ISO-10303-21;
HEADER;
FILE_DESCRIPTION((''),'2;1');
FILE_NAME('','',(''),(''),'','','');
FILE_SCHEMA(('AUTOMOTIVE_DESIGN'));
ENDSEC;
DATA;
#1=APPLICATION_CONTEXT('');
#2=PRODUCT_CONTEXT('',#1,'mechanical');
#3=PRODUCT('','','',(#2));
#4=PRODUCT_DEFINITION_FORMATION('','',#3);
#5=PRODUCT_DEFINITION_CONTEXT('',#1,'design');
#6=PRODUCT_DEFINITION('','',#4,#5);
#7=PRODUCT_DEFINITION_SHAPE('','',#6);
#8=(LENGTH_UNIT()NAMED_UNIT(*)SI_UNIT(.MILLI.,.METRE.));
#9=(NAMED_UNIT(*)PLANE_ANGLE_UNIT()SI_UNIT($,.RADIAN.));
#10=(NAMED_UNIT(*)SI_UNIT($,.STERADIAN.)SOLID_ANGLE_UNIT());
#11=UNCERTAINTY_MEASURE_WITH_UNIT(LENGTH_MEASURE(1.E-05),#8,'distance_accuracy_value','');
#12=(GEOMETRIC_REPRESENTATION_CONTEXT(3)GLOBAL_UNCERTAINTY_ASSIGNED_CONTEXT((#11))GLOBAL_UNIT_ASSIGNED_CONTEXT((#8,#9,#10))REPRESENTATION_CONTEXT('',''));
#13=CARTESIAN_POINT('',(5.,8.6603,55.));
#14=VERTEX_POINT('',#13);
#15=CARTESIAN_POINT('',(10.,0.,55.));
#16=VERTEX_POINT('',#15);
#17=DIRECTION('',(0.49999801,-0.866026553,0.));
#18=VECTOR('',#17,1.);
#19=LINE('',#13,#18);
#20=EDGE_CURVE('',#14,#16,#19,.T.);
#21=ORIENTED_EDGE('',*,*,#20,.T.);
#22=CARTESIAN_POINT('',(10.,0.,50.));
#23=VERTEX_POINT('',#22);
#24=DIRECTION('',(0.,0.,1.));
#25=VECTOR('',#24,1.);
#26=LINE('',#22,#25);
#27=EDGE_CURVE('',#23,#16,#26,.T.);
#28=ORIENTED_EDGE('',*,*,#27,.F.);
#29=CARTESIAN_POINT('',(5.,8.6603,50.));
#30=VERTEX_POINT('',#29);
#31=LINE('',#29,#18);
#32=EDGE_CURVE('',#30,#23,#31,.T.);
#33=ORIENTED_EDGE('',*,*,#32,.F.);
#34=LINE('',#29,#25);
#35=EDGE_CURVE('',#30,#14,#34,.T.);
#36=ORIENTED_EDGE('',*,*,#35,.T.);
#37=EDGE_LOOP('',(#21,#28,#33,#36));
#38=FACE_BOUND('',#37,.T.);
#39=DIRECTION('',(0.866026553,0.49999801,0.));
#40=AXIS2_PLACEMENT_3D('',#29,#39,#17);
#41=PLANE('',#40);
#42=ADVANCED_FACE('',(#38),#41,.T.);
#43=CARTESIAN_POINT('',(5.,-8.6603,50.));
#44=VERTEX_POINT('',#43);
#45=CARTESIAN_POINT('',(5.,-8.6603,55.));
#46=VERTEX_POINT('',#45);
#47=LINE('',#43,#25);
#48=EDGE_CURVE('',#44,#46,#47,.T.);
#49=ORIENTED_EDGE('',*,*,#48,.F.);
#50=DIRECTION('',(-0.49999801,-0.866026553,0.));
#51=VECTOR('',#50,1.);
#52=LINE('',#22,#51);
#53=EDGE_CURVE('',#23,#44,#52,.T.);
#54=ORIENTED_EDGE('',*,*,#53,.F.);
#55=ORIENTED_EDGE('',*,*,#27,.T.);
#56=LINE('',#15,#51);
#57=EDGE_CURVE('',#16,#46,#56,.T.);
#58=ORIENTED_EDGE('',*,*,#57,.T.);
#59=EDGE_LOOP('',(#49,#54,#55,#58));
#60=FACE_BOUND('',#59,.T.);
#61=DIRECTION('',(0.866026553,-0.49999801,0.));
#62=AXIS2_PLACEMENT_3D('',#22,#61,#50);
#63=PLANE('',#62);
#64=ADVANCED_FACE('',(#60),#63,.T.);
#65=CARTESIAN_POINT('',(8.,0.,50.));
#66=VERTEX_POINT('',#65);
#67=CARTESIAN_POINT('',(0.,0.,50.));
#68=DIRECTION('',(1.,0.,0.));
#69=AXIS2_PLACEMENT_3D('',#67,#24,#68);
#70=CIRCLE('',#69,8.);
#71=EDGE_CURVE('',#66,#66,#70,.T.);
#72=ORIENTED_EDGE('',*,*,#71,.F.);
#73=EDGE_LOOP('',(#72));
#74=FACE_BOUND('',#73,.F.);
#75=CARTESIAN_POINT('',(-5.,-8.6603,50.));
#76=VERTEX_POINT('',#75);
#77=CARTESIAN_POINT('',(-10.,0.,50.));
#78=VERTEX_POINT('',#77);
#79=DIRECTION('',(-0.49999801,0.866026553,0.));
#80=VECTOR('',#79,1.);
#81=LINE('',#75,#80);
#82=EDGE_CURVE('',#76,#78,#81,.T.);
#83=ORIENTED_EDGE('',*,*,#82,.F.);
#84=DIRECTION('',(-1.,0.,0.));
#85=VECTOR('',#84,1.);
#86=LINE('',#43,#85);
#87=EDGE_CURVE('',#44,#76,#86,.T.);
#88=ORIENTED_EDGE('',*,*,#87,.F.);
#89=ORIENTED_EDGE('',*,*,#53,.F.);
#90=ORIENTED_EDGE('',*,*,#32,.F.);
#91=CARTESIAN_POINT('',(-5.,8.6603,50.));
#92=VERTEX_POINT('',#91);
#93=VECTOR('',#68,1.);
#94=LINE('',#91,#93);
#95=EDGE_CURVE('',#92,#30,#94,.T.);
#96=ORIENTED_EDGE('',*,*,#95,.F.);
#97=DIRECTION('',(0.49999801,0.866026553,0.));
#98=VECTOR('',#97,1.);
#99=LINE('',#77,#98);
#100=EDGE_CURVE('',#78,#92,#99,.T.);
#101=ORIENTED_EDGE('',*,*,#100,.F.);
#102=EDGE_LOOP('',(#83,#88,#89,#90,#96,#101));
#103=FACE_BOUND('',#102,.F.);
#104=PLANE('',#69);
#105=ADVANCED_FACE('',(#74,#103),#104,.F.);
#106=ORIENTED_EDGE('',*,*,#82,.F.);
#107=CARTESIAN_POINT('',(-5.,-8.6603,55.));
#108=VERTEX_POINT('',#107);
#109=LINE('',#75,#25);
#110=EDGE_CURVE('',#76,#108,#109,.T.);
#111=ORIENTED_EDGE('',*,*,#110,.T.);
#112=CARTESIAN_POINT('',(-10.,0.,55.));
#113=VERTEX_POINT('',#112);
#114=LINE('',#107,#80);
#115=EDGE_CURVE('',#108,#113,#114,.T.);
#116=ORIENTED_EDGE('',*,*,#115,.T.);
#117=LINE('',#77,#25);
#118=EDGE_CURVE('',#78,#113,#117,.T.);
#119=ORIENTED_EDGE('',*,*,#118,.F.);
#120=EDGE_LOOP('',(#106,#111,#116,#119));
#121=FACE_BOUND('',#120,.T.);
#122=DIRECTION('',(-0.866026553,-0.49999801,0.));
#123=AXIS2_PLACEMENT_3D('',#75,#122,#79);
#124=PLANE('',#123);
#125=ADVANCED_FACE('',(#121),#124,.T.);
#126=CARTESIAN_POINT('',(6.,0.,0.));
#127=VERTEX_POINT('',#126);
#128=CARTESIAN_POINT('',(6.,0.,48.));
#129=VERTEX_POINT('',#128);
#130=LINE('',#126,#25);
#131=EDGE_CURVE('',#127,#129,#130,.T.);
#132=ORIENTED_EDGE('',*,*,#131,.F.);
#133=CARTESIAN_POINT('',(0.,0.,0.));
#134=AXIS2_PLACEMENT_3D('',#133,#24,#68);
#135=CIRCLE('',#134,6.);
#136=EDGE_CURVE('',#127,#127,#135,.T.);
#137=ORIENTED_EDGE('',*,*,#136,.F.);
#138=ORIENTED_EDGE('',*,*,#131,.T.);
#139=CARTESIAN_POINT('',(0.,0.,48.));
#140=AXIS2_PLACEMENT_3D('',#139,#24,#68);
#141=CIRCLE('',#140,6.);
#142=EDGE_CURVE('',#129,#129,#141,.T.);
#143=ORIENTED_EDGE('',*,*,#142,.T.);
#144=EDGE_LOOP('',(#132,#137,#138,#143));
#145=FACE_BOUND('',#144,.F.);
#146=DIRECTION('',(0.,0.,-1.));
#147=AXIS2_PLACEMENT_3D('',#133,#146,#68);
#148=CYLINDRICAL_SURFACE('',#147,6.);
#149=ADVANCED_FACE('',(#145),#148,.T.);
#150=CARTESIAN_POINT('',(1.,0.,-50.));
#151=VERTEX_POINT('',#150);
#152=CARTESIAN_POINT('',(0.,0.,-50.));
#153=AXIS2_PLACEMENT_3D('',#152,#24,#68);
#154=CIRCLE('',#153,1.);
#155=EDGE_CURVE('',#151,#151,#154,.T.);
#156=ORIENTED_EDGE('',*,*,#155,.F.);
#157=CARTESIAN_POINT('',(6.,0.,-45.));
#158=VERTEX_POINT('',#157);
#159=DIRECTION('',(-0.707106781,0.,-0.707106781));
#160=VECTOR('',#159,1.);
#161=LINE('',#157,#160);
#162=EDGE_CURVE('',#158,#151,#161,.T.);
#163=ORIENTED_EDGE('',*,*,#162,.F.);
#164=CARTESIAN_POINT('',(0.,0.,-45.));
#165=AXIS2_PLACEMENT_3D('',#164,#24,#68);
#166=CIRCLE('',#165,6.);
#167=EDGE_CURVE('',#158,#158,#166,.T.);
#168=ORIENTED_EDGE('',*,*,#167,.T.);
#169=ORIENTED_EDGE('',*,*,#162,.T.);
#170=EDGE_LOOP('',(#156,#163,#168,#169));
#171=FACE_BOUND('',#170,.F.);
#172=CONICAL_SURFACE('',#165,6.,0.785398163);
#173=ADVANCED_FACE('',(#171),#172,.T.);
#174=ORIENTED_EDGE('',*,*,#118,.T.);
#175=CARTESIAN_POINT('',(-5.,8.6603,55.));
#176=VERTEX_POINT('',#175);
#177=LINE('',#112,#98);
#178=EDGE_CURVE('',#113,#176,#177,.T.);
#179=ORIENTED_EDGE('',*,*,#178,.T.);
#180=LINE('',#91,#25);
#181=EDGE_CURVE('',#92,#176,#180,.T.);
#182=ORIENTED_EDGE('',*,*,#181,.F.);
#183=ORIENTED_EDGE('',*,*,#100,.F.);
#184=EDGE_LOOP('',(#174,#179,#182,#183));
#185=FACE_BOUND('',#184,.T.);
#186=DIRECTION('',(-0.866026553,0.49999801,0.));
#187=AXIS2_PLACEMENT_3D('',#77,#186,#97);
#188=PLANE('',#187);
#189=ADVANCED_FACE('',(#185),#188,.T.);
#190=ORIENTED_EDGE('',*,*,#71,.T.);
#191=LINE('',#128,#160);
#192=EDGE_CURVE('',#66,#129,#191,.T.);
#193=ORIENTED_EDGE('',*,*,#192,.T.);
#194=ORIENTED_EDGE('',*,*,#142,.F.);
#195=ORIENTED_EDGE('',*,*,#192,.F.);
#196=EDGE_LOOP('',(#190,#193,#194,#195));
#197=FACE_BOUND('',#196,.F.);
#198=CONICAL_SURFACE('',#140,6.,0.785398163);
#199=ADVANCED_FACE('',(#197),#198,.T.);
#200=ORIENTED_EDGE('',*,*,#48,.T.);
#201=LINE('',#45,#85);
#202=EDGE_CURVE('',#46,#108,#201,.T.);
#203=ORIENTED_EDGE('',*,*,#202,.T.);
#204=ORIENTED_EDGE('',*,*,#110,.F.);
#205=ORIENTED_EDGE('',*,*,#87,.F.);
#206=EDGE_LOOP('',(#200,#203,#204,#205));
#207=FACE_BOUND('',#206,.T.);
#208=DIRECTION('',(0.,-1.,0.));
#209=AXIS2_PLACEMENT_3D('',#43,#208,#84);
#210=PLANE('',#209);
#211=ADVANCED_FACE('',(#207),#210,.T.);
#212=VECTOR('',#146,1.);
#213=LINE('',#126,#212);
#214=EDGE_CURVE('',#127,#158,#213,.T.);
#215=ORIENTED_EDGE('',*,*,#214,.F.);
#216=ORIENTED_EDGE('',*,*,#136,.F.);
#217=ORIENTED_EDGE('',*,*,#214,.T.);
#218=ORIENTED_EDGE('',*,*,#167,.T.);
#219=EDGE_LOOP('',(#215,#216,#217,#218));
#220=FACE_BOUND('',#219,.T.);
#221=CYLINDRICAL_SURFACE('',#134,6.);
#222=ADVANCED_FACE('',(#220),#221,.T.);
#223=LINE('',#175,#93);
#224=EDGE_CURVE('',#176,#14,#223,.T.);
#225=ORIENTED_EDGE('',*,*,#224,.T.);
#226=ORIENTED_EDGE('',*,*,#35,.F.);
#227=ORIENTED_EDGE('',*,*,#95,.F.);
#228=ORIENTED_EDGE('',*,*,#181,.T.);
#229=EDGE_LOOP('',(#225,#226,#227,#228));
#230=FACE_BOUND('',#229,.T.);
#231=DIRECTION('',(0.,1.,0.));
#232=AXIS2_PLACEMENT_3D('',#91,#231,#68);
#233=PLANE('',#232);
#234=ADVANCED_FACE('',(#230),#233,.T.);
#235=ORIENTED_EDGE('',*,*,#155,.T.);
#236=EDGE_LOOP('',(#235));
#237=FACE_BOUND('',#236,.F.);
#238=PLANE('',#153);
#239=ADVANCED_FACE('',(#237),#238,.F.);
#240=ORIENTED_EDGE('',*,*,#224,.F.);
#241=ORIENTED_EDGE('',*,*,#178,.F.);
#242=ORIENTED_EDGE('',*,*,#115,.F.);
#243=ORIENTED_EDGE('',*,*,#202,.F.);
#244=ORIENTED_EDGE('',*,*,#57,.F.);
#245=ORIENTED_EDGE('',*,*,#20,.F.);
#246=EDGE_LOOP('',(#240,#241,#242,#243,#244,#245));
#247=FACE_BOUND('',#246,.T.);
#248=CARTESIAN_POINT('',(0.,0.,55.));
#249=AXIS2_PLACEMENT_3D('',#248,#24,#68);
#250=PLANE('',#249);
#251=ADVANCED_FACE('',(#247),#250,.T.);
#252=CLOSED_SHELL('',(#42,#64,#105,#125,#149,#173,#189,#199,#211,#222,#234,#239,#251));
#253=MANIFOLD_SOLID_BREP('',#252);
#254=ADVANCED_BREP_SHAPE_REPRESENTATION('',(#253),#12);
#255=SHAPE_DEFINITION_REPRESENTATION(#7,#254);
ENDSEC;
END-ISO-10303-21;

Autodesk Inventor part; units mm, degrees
sketch "Esboço1" plane through (0, 0, 0) normal (0, 0, 1) x (1, 0, 0)
  circle A0 centre (0, 0) radius 6
  dimension "d0" = 12
extrude "Extrusão1" add sketch "Esboço1" along normal mid plane 100
sketch "Esboço2" plane through (0, 0, 50) normal (0, 0, 1) x (1, 0, 0)
  line L0 (5, 8.6603) -> (10, 0)
  line L1 (10, 0) -> (5, -8.6603)
  line L2 (5, -8.6603) -> (-5, -8.6603)
  line L3 (-5, -8.6603) -> (-10, 0)
  line L4 (-10, 0) -> (-5, 8.6603)
  line L5 (-5, 8.6603) -> (5, 8.6603)
  point P0 (0, 0)
  point P1 (0, 0)
  dimension "d3" = 10
extrude "Extrusão2" add sketch "Esboço2" along normal blind 5
thread "Rosca1" size "M12x1.75" class "6g" standard "ANSI Metric M Profile" length 100
chamfer "Chanfro1" distance 2 angle 45 1 edges at (-6, 0, 50)
chamfer "Chanfro2" distance 5 angle 45 1 edges at (-6, 0, -50)
properties part number "Sessao9__08_04_2025_0002_001" material "Ouro"
